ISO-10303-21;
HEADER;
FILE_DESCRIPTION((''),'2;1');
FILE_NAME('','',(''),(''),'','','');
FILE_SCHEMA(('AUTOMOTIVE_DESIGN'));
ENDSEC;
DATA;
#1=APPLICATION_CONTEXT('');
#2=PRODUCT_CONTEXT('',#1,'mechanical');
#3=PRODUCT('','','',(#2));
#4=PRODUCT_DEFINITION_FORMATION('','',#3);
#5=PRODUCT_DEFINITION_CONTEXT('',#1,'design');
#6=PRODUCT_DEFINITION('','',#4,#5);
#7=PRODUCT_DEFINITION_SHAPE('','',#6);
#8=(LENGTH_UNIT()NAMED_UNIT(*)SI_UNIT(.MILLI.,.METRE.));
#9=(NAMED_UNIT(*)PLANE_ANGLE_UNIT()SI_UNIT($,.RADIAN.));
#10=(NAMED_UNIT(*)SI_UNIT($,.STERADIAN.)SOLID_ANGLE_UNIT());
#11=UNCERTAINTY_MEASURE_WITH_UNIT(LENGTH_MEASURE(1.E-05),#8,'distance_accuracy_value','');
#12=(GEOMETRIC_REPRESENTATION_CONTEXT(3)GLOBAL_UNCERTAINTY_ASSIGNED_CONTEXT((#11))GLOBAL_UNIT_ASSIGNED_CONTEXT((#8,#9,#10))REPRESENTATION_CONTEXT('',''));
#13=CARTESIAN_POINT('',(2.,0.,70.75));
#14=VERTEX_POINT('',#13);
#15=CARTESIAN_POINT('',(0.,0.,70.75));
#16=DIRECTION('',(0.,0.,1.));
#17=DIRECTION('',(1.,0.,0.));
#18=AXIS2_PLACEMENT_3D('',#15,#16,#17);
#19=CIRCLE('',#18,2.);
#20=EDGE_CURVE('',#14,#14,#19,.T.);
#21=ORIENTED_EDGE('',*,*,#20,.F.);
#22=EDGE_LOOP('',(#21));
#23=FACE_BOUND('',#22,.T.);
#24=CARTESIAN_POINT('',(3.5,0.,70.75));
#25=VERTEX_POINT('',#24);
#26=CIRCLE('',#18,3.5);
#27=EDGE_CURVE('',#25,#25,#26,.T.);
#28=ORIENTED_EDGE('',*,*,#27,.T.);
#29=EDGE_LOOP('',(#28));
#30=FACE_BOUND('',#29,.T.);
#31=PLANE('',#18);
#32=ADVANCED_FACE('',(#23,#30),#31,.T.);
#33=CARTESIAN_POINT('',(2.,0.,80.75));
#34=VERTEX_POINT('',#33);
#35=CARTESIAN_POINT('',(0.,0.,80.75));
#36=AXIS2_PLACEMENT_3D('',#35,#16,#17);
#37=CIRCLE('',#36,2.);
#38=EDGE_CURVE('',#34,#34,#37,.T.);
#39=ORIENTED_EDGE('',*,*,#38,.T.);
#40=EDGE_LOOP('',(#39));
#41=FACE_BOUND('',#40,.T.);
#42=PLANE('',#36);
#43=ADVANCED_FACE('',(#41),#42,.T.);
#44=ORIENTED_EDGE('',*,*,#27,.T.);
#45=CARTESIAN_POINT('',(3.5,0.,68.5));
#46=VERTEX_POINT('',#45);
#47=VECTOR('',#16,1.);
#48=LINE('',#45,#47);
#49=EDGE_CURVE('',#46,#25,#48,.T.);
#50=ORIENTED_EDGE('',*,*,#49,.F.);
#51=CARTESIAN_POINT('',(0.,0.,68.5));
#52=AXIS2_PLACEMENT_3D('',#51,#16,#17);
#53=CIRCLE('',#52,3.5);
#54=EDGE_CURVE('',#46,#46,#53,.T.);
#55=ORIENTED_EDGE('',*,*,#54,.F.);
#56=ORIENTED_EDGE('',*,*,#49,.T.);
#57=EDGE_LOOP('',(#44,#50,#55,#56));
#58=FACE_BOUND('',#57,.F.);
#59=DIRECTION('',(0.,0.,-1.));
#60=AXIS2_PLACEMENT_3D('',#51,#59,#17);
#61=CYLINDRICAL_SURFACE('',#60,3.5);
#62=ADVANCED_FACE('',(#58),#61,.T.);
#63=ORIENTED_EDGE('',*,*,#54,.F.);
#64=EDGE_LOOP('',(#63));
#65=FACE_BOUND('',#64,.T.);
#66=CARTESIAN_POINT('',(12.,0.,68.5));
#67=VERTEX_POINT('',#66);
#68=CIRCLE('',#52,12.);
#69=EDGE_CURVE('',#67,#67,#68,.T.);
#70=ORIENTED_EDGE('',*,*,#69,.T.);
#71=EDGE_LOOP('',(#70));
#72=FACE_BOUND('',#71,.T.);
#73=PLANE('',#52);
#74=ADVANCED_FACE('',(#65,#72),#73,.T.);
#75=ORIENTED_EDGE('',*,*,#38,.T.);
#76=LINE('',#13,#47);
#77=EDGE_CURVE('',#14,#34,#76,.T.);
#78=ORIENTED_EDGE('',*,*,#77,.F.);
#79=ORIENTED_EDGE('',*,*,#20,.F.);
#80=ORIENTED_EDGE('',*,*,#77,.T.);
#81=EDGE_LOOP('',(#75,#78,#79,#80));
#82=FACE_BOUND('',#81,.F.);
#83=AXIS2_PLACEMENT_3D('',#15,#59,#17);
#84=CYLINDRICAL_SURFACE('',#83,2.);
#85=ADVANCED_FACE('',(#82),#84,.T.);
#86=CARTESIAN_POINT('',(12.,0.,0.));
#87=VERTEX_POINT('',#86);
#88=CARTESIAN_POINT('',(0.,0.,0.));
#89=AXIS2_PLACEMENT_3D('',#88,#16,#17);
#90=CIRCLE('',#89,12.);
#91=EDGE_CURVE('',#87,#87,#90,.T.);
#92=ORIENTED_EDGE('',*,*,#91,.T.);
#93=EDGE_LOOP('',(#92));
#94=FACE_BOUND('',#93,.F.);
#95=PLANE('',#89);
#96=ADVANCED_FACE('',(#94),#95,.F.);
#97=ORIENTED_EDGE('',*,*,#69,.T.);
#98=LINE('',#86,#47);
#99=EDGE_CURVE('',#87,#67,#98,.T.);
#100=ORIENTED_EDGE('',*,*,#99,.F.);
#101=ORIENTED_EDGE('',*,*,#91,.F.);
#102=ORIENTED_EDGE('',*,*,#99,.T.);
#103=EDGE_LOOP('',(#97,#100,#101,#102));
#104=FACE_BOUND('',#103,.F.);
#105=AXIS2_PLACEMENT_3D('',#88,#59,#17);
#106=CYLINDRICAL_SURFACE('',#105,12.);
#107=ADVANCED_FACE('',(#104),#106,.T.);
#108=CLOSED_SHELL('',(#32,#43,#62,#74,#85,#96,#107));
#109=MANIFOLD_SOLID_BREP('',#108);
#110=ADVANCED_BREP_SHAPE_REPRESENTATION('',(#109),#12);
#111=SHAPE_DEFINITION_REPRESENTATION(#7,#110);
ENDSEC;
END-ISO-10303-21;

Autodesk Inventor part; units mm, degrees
ref_plane "YZ Plane" through (0, 0, 0) normal (1, 0, 0) x (0, 1, 0)
ref_plane "XZ Plane" through (0, 0, 0) normal (0, 1, 0) x (-1, 0, 0)
ref_plane "XY Plane" through (0, 0, 0) normal (0, 0, 1) x (1, 0, 0)
sketch "Sketch1" plane through (0, 0, 0) normal (0, 0, 1) x (1, 0, 0)
  circle A0 centre (0, 0) radius 12
  dimension "d0" = 24
extrude "Extrusion1" add sketch "Sketch1" along normal blind 68.5
sketch "Sketch2" plane through (0, 0, 68.5) normal (0, 0, 1) x (1, 0, 0)
  circle A0 centre (0, 0) radius 3.5
  dimension "d3" = 7
extrude "Extrusion2" add sketch "Sketch2" along normal blind 2.25
sketch "Sketch3" plane through (0, 0, 70.75) normal (0, 0, 1) x (1, 0, 0)
  circle A0 centre (0, 0) radius 3.5 projected
  circle A1 centre (0, 0) radius 2
  dimension "d6" = 4
extrude "Extrusion3" add sketch "Sketch3" along normal blind 10 contours A1
properties part number "Motor_elevation"
